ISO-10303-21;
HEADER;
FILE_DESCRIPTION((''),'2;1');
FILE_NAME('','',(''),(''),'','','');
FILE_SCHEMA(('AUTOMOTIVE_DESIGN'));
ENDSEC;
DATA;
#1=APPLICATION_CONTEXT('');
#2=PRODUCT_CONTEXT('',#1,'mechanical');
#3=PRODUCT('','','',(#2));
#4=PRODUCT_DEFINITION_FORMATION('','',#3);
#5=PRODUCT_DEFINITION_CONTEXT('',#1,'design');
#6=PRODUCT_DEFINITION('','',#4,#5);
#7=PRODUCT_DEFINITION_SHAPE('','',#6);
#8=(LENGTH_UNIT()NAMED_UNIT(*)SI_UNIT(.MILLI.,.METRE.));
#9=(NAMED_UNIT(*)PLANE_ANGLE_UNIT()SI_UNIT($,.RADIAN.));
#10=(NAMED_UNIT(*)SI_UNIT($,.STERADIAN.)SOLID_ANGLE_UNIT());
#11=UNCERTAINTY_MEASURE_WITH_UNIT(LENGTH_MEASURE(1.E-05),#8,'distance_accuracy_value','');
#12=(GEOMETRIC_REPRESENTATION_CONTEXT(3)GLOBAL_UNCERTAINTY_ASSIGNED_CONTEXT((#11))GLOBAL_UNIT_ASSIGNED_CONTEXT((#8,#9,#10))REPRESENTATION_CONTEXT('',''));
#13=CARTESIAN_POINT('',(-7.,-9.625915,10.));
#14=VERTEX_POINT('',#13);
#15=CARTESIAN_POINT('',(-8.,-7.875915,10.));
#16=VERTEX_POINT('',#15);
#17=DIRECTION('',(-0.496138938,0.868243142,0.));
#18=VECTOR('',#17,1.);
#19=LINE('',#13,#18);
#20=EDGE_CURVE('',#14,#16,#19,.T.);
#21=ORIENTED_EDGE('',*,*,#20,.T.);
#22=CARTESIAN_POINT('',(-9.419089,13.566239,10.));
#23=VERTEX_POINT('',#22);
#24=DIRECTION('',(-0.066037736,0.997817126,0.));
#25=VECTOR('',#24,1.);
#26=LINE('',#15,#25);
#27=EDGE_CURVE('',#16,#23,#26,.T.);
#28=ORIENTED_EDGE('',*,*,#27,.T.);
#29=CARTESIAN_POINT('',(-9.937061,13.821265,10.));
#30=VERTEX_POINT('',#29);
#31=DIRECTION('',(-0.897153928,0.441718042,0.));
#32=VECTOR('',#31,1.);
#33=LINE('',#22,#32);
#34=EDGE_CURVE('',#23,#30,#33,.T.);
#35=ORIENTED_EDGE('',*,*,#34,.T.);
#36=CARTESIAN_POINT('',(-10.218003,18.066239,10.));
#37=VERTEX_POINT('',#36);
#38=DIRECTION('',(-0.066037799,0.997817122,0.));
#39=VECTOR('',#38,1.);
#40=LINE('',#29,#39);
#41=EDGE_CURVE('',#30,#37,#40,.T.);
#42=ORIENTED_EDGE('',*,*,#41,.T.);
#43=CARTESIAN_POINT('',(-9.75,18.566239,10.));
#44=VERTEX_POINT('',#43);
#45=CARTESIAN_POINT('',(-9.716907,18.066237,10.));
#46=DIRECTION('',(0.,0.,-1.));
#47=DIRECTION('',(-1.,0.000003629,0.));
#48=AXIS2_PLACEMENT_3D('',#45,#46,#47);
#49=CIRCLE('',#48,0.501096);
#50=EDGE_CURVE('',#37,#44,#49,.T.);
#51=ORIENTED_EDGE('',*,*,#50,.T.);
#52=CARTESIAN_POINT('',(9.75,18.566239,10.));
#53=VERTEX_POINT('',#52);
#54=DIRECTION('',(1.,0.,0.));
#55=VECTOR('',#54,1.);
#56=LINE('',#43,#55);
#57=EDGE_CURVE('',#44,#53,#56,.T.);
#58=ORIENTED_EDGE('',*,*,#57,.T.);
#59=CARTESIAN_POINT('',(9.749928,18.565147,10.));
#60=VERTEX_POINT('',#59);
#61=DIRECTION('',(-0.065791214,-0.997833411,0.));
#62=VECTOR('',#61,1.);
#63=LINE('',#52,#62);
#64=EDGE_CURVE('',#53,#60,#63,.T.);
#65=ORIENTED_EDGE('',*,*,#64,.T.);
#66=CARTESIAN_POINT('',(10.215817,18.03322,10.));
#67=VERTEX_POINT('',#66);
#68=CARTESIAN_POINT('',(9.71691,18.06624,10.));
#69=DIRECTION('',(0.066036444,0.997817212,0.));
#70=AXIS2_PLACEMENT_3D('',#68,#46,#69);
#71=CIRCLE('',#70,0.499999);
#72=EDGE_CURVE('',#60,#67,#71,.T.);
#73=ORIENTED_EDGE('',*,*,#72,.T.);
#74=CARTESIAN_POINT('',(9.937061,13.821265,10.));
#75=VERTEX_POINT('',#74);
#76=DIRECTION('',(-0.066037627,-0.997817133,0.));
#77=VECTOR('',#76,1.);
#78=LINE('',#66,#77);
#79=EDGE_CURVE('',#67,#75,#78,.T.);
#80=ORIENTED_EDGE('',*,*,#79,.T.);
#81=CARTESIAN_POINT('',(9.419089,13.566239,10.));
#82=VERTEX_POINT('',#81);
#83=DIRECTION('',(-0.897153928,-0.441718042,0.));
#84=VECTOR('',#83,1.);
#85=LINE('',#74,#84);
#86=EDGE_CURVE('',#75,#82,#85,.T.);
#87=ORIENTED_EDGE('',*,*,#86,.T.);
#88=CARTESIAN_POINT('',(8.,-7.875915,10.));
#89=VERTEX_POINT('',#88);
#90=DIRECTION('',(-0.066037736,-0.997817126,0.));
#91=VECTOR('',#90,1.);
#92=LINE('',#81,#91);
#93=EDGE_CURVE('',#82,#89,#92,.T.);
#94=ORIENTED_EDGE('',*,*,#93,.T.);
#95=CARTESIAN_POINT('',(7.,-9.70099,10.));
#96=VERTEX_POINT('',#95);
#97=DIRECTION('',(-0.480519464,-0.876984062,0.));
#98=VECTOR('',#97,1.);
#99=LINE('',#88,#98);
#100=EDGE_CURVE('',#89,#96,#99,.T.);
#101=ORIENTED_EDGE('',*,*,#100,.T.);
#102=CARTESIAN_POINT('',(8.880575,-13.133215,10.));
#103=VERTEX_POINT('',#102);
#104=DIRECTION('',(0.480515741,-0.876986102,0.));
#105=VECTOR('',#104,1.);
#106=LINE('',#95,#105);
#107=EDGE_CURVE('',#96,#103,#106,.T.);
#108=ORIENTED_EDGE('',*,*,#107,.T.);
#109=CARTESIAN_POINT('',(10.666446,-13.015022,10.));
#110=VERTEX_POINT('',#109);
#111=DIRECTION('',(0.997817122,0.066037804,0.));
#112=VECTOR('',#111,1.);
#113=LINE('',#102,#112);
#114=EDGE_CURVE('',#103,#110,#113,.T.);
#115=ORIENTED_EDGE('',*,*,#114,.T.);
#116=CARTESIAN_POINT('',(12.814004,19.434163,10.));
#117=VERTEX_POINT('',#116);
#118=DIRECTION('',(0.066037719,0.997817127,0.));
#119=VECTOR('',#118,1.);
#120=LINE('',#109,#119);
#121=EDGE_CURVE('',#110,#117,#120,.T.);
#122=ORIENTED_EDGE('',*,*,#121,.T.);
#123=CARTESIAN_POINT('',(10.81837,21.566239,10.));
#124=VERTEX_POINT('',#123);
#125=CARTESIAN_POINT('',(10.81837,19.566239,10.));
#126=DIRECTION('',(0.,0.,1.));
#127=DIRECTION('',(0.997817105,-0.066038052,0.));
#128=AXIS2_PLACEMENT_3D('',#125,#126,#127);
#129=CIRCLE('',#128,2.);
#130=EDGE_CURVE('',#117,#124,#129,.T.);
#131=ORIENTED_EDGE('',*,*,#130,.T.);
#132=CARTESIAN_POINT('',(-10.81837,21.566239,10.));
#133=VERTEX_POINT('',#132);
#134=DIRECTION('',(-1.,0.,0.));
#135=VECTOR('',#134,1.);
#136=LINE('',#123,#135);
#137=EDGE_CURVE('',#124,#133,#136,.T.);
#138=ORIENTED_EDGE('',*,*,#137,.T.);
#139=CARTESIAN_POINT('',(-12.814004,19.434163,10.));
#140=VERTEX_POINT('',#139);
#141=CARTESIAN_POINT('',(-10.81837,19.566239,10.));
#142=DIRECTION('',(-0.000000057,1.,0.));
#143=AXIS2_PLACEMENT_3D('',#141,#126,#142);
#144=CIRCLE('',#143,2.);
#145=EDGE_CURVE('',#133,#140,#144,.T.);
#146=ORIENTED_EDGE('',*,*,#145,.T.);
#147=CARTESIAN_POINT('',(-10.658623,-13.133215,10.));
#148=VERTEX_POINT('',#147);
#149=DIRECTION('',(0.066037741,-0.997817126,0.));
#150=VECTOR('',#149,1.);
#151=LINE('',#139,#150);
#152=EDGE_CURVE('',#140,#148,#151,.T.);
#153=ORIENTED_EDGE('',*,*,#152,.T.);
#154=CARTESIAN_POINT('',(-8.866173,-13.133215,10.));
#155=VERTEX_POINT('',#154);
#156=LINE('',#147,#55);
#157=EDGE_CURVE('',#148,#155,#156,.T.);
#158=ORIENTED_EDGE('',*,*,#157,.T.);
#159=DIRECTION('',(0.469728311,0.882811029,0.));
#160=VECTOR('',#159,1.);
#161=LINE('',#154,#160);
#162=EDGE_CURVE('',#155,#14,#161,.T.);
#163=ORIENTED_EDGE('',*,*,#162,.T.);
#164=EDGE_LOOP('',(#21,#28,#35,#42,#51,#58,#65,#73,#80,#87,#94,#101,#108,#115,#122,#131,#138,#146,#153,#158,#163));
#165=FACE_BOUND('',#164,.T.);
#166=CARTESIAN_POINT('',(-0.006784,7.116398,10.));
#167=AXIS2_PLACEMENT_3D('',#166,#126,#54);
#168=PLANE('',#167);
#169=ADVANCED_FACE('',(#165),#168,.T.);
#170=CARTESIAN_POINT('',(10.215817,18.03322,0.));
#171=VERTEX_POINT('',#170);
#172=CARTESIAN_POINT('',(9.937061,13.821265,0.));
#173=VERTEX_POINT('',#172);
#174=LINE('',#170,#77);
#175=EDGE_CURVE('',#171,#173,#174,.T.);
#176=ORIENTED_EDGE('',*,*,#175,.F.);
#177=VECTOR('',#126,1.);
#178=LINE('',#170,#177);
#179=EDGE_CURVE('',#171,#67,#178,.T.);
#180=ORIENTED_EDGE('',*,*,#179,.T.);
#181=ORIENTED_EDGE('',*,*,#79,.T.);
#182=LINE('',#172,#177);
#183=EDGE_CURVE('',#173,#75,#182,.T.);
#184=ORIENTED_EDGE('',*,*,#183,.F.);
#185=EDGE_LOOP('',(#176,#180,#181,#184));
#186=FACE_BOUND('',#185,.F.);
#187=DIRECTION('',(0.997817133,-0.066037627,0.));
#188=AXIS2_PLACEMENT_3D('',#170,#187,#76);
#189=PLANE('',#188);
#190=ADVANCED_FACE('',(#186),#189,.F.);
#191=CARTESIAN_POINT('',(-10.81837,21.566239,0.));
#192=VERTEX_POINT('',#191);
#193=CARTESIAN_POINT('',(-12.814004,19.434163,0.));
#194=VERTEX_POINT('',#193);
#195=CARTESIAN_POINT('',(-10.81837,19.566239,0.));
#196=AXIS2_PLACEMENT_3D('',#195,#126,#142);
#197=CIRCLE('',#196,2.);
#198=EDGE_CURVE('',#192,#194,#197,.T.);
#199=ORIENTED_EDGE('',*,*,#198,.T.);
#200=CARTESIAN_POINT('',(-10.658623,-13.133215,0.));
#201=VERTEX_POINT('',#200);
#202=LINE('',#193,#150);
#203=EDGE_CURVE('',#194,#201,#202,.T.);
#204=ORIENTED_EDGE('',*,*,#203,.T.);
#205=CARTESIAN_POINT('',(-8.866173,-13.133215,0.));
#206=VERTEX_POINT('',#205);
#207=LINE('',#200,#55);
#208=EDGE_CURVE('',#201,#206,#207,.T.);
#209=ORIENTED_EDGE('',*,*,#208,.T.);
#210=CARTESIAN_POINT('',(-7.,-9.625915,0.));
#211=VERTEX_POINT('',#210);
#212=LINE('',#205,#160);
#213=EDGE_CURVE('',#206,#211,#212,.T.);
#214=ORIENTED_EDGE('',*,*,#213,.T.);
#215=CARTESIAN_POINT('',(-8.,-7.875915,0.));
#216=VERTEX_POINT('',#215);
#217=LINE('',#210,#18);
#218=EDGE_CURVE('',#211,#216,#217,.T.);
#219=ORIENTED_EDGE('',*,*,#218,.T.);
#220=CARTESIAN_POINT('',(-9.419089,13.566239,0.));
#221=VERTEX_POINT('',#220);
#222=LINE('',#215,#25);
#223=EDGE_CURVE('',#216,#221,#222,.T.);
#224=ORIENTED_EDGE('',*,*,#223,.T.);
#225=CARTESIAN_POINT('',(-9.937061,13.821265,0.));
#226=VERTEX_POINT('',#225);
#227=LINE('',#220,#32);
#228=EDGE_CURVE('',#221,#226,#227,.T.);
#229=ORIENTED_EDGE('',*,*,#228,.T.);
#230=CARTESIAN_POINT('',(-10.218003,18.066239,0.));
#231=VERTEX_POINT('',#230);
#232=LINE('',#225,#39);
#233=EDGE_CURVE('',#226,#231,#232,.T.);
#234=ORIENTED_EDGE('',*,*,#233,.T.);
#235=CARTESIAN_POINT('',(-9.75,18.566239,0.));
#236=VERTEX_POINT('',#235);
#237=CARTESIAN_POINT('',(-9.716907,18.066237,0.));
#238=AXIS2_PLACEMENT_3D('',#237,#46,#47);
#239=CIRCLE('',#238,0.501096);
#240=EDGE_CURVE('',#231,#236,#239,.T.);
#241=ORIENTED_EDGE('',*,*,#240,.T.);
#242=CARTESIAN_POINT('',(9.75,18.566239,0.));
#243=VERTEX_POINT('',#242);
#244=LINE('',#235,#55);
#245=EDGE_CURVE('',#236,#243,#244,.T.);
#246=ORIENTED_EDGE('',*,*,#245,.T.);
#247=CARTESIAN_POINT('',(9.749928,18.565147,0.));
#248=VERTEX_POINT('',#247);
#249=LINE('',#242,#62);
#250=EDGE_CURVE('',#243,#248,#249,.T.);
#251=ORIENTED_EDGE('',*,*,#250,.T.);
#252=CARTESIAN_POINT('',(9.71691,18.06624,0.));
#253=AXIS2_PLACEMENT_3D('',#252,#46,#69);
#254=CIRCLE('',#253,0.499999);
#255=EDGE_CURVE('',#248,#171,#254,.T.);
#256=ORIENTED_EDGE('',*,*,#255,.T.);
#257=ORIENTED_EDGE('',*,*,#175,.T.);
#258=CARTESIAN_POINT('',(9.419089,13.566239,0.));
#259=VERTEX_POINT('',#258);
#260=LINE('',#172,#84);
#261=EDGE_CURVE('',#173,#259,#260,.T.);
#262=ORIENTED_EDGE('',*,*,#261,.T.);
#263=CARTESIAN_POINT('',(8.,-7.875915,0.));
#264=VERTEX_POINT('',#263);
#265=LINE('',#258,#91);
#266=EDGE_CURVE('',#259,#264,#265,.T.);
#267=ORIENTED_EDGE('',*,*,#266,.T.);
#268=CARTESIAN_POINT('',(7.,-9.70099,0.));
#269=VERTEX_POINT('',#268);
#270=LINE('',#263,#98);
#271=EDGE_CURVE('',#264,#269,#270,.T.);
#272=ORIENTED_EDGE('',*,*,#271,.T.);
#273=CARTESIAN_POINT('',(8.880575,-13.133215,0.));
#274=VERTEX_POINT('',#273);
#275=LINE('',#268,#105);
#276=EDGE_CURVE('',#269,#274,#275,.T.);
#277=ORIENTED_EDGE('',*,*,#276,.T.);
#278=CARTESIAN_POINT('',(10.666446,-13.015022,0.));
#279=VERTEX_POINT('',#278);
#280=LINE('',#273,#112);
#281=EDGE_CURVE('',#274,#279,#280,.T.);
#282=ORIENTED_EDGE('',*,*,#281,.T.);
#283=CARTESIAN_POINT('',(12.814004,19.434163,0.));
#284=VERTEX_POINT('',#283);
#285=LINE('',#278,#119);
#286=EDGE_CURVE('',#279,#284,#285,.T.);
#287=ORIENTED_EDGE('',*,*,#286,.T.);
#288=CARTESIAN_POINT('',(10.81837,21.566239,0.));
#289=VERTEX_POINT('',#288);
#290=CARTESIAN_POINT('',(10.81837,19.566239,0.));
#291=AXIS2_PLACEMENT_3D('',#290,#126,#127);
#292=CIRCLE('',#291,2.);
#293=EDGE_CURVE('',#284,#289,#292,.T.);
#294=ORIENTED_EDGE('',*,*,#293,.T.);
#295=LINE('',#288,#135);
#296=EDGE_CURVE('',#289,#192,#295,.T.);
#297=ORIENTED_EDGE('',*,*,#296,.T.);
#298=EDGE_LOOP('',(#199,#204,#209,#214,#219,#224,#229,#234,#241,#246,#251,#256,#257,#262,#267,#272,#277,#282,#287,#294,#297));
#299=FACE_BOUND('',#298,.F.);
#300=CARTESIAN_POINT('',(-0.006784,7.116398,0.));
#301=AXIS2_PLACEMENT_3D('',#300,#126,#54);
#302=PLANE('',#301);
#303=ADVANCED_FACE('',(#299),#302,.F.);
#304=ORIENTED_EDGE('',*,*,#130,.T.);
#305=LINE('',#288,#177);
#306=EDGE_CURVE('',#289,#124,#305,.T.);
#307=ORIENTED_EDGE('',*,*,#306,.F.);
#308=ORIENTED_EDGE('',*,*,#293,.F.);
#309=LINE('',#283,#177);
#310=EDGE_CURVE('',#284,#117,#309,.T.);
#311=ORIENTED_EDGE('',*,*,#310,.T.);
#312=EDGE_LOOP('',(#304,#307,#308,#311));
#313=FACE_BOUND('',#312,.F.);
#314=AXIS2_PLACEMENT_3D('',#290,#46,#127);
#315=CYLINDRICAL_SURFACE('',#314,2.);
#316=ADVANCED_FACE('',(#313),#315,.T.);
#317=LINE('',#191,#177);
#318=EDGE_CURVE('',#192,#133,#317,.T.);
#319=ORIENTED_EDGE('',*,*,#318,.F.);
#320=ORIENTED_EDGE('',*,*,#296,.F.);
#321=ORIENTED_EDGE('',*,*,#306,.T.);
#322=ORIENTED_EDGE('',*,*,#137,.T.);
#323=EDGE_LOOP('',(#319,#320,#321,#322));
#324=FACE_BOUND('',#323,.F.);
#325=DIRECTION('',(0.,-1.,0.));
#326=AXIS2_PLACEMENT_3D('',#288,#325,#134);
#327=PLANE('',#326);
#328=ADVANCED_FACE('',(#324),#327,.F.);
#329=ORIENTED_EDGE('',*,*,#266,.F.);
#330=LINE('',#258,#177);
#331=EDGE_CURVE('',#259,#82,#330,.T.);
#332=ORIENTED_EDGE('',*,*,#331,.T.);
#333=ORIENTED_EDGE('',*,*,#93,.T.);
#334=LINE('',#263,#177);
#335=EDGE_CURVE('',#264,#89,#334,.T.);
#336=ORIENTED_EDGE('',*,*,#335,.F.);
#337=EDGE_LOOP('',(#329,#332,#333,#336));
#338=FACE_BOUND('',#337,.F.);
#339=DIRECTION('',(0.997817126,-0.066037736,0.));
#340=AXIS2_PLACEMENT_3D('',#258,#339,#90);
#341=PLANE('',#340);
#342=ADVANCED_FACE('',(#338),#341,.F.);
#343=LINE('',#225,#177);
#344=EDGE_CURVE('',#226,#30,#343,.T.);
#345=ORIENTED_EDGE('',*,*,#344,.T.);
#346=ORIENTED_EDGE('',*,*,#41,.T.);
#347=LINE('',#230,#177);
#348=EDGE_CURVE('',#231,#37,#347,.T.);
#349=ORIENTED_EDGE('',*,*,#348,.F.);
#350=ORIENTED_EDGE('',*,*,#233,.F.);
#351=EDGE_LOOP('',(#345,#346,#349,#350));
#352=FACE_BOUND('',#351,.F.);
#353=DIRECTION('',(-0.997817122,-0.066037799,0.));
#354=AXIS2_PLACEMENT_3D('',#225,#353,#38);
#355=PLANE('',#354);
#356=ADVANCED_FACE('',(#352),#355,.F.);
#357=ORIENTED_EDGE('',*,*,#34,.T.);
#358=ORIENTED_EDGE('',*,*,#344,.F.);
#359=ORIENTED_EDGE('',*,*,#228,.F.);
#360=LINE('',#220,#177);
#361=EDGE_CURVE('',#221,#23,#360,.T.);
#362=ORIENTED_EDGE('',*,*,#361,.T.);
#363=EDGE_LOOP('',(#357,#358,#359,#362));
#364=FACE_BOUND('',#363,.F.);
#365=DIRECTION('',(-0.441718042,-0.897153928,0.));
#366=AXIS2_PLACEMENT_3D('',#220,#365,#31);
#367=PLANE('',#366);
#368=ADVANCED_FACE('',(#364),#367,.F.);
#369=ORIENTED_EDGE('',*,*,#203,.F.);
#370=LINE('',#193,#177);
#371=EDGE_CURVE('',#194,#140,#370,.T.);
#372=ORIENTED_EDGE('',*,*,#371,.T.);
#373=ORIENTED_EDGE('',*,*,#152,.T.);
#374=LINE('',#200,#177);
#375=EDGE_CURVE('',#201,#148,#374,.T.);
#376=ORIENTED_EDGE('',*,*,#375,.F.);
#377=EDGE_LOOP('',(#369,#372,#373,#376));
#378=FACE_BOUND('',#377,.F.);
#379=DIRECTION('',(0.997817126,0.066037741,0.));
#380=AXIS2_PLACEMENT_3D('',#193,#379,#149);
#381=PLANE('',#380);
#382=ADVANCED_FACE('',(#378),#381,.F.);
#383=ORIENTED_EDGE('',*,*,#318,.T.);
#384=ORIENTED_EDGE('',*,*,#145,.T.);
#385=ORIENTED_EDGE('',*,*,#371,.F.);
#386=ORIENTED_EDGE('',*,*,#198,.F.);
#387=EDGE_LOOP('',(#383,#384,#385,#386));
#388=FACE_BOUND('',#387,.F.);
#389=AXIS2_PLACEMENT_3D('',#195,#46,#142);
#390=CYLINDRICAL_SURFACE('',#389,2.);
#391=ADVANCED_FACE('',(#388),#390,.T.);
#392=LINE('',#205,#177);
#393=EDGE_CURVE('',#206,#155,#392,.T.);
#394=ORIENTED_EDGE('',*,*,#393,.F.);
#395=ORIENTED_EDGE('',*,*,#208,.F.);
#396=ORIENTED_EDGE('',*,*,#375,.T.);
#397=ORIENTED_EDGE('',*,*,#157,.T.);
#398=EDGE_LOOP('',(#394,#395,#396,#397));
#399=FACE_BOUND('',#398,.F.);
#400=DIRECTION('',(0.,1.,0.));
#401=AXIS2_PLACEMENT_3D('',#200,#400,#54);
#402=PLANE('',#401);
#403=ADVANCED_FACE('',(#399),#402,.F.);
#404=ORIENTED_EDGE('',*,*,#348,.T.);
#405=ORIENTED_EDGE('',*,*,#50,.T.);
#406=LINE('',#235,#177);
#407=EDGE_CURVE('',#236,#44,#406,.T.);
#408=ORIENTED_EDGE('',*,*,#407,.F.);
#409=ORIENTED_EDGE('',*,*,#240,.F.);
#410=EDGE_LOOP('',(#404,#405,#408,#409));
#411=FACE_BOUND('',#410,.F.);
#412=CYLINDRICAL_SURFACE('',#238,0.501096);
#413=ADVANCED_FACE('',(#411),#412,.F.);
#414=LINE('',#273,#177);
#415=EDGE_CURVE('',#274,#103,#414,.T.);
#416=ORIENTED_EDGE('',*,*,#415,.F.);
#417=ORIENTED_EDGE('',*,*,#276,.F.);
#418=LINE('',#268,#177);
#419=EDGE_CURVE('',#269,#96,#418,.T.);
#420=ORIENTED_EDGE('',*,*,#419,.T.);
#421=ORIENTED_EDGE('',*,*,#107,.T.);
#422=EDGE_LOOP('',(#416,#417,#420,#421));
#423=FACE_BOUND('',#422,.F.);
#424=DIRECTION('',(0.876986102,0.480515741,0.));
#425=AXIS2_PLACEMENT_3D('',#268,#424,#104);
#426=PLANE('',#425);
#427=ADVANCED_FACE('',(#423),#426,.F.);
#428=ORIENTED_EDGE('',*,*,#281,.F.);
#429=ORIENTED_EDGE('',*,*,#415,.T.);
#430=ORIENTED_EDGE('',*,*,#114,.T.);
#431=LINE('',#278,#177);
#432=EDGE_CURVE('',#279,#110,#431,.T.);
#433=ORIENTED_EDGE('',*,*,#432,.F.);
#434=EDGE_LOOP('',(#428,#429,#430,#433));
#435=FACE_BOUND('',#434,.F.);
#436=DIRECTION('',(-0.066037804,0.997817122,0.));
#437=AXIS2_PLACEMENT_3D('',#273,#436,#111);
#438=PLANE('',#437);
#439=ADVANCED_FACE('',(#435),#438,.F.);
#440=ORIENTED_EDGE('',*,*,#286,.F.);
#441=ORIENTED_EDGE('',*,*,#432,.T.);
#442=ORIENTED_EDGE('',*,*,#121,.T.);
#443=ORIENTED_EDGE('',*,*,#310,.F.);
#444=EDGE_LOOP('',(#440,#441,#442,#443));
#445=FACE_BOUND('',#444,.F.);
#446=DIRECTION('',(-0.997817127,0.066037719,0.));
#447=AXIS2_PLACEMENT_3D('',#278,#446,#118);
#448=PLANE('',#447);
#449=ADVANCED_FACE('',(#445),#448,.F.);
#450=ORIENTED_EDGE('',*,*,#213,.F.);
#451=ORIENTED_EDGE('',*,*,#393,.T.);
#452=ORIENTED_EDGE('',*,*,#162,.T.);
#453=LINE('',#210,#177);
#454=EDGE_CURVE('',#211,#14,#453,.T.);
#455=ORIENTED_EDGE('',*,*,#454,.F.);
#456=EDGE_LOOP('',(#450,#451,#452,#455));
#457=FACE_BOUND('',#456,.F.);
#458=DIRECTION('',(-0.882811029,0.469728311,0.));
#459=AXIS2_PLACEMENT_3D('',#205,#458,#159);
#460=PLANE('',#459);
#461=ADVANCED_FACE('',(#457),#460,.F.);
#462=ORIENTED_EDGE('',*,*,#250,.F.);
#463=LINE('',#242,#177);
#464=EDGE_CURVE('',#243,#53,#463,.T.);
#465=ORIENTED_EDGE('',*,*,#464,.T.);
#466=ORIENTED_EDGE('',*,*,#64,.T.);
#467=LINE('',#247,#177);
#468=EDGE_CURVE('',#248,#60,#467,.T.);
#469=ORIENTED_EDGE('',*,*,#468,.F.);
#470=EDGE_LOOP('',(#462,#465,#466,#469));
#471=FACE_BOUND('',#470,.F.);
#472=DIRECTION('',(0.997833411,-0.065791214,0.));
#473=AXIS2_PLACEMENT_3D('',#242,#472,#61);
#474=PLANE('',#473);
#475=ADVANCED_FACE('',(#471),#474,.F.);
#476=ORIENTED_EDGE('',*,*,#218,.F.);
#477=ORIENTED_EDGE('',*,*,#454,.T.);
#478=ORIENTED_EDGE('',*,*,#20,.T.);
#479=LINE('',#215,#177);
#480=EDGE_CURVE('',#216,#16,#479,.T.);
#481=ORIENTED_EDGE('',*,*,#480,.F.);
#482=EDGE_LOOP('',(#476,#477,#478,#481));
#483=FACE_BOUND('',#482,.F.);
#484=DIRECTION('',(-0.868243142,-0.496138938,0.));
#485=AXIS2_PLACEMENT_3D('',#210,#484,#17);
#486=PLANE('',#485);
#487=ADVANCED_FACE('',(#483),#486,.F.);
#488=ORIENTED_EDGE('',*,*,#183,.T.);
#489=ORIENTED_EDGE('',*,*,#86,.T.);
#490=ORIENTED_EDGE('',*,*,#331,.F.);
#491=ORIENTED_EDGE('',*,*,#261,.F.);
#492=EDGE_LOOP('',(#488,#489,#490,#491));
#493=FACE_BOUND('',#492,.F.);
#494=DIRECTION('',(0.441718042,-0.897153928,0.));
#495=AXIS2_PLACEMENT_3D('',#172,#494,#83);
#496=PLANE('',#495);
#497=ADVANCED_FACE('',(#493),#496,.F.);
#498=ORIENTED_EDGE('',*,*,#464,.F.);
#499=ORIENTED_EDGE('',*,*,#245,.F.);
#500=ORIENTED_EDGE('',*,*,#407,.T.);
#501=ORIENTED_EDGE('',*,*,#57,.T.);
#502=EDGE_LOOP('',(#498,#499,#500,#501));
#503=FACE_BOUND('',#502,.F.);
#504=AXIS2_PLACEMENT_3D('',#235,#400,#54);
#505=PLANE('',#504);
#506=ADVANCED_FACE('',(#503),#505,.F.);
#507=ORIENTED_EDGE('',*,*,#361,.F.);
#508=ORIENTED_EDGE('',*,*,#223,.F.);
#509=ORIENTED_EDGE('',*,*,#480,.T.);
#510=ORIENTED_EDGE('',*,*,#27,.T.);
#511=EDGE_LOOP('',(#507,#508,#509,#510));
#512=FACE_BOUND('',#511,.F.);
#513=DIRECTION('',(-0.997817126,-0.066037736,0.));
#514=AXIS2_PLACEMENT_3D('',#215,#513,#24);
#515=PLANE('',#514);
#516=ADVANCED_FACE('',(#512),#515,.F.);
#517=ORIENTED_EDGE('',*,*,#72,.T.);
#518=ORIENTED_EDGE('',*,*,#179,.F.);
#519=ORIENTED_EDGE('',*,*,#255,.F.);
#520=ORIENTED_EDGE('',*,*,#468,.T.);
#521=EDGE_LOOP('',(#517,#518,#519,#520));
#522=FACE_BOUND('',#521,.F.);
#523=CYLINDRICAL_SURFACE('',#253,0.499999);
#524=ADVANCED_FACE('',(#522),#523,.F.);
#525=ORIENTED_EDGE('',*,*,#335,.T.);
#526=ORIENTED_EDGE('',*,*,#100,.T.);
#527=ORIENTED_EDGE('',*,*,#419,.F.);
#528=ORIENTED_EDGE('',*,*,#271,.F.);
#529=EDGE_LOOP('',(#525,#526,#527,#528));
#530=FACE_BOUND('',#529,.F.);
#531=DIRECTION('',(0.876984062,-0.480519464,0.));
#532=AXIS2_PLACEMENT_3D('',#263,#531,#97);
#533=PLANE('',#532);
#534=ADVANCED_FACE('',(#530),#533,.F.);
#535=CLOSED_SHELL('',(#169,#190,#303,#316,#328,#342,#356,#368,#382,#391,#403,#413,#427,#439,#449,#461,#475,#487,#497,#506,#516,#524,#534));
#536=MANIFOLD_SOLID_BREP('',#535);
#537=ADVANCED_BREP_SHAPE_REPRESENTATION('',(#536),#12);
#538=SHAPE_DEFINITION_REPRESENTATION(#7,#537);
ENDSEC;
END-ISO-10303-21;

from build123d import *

# Parameters (mm, degrees)
F1_DEPTH = 10


with BuildPart() as f1:
    # F0 (on Top) → F1 (new body)
    with BuildSketch(Plane.XY):
        with BuildLine():
            ThreePointArc((-10.218003, 18.066239), (-10.082748, 18.408666), (-9.75, 18.566239))
            Line((-9.75, 18.566239), (9.75, 18.566239))
            Line((9.75, 18.566239), (9.749928, 18.565147))
            ThreePointArc((9.749928, 18.565147), (10.093038, 18.395673), (10.215817, 18.03322))
            Line((10.215817, 18.03322), (9.937061, 13.821265))
            Line((9.937061, 13.821265), (9.419089, 13.566239))
            Line((9.419089, 13.566239), (8, -7.875915))
            Line((8, -7.875915), (7, -9.70099))
            Line((7, -9.70099), (8.880575, -13.133215))
            Line((8.880575, -13.133215), (10.666446, -13.015022))
            Line((10.666446, -13.015022), (12.814004, 19.434163))
            ThreePointArc((12.814004, 19.434163), (12.278533, 20.932959), (10.81837, 21.566239))
            Line((10.81837, 21.566239), (-10.81837, 21.566239))
            ThreePointArc((-10.81837, 21.566239), (-12.278533, 20.932959), (-12.814004, 19.434163))
            Line((-12.814004, 19.434163), (-10.658623, -13.133215))
            Line((-10.658623, -13.133215), (-8.866173, -13.133215))
            Line((-8.866173, -13.133215), (-7, -9.625915))
            Line((-7, -9.625915), (-8, -7.875915))
            Line((-8, -7.875915), (-9.419089, 13.566239))
            Line((-9.419089, 13.566239), (-9.937061, 13.821265))
            Line((-9.937061, 13.821265), (-10.218003, 18.066239))
        make_face()
    extrude(amount=F1_DEPTH)


solid = f1.part
